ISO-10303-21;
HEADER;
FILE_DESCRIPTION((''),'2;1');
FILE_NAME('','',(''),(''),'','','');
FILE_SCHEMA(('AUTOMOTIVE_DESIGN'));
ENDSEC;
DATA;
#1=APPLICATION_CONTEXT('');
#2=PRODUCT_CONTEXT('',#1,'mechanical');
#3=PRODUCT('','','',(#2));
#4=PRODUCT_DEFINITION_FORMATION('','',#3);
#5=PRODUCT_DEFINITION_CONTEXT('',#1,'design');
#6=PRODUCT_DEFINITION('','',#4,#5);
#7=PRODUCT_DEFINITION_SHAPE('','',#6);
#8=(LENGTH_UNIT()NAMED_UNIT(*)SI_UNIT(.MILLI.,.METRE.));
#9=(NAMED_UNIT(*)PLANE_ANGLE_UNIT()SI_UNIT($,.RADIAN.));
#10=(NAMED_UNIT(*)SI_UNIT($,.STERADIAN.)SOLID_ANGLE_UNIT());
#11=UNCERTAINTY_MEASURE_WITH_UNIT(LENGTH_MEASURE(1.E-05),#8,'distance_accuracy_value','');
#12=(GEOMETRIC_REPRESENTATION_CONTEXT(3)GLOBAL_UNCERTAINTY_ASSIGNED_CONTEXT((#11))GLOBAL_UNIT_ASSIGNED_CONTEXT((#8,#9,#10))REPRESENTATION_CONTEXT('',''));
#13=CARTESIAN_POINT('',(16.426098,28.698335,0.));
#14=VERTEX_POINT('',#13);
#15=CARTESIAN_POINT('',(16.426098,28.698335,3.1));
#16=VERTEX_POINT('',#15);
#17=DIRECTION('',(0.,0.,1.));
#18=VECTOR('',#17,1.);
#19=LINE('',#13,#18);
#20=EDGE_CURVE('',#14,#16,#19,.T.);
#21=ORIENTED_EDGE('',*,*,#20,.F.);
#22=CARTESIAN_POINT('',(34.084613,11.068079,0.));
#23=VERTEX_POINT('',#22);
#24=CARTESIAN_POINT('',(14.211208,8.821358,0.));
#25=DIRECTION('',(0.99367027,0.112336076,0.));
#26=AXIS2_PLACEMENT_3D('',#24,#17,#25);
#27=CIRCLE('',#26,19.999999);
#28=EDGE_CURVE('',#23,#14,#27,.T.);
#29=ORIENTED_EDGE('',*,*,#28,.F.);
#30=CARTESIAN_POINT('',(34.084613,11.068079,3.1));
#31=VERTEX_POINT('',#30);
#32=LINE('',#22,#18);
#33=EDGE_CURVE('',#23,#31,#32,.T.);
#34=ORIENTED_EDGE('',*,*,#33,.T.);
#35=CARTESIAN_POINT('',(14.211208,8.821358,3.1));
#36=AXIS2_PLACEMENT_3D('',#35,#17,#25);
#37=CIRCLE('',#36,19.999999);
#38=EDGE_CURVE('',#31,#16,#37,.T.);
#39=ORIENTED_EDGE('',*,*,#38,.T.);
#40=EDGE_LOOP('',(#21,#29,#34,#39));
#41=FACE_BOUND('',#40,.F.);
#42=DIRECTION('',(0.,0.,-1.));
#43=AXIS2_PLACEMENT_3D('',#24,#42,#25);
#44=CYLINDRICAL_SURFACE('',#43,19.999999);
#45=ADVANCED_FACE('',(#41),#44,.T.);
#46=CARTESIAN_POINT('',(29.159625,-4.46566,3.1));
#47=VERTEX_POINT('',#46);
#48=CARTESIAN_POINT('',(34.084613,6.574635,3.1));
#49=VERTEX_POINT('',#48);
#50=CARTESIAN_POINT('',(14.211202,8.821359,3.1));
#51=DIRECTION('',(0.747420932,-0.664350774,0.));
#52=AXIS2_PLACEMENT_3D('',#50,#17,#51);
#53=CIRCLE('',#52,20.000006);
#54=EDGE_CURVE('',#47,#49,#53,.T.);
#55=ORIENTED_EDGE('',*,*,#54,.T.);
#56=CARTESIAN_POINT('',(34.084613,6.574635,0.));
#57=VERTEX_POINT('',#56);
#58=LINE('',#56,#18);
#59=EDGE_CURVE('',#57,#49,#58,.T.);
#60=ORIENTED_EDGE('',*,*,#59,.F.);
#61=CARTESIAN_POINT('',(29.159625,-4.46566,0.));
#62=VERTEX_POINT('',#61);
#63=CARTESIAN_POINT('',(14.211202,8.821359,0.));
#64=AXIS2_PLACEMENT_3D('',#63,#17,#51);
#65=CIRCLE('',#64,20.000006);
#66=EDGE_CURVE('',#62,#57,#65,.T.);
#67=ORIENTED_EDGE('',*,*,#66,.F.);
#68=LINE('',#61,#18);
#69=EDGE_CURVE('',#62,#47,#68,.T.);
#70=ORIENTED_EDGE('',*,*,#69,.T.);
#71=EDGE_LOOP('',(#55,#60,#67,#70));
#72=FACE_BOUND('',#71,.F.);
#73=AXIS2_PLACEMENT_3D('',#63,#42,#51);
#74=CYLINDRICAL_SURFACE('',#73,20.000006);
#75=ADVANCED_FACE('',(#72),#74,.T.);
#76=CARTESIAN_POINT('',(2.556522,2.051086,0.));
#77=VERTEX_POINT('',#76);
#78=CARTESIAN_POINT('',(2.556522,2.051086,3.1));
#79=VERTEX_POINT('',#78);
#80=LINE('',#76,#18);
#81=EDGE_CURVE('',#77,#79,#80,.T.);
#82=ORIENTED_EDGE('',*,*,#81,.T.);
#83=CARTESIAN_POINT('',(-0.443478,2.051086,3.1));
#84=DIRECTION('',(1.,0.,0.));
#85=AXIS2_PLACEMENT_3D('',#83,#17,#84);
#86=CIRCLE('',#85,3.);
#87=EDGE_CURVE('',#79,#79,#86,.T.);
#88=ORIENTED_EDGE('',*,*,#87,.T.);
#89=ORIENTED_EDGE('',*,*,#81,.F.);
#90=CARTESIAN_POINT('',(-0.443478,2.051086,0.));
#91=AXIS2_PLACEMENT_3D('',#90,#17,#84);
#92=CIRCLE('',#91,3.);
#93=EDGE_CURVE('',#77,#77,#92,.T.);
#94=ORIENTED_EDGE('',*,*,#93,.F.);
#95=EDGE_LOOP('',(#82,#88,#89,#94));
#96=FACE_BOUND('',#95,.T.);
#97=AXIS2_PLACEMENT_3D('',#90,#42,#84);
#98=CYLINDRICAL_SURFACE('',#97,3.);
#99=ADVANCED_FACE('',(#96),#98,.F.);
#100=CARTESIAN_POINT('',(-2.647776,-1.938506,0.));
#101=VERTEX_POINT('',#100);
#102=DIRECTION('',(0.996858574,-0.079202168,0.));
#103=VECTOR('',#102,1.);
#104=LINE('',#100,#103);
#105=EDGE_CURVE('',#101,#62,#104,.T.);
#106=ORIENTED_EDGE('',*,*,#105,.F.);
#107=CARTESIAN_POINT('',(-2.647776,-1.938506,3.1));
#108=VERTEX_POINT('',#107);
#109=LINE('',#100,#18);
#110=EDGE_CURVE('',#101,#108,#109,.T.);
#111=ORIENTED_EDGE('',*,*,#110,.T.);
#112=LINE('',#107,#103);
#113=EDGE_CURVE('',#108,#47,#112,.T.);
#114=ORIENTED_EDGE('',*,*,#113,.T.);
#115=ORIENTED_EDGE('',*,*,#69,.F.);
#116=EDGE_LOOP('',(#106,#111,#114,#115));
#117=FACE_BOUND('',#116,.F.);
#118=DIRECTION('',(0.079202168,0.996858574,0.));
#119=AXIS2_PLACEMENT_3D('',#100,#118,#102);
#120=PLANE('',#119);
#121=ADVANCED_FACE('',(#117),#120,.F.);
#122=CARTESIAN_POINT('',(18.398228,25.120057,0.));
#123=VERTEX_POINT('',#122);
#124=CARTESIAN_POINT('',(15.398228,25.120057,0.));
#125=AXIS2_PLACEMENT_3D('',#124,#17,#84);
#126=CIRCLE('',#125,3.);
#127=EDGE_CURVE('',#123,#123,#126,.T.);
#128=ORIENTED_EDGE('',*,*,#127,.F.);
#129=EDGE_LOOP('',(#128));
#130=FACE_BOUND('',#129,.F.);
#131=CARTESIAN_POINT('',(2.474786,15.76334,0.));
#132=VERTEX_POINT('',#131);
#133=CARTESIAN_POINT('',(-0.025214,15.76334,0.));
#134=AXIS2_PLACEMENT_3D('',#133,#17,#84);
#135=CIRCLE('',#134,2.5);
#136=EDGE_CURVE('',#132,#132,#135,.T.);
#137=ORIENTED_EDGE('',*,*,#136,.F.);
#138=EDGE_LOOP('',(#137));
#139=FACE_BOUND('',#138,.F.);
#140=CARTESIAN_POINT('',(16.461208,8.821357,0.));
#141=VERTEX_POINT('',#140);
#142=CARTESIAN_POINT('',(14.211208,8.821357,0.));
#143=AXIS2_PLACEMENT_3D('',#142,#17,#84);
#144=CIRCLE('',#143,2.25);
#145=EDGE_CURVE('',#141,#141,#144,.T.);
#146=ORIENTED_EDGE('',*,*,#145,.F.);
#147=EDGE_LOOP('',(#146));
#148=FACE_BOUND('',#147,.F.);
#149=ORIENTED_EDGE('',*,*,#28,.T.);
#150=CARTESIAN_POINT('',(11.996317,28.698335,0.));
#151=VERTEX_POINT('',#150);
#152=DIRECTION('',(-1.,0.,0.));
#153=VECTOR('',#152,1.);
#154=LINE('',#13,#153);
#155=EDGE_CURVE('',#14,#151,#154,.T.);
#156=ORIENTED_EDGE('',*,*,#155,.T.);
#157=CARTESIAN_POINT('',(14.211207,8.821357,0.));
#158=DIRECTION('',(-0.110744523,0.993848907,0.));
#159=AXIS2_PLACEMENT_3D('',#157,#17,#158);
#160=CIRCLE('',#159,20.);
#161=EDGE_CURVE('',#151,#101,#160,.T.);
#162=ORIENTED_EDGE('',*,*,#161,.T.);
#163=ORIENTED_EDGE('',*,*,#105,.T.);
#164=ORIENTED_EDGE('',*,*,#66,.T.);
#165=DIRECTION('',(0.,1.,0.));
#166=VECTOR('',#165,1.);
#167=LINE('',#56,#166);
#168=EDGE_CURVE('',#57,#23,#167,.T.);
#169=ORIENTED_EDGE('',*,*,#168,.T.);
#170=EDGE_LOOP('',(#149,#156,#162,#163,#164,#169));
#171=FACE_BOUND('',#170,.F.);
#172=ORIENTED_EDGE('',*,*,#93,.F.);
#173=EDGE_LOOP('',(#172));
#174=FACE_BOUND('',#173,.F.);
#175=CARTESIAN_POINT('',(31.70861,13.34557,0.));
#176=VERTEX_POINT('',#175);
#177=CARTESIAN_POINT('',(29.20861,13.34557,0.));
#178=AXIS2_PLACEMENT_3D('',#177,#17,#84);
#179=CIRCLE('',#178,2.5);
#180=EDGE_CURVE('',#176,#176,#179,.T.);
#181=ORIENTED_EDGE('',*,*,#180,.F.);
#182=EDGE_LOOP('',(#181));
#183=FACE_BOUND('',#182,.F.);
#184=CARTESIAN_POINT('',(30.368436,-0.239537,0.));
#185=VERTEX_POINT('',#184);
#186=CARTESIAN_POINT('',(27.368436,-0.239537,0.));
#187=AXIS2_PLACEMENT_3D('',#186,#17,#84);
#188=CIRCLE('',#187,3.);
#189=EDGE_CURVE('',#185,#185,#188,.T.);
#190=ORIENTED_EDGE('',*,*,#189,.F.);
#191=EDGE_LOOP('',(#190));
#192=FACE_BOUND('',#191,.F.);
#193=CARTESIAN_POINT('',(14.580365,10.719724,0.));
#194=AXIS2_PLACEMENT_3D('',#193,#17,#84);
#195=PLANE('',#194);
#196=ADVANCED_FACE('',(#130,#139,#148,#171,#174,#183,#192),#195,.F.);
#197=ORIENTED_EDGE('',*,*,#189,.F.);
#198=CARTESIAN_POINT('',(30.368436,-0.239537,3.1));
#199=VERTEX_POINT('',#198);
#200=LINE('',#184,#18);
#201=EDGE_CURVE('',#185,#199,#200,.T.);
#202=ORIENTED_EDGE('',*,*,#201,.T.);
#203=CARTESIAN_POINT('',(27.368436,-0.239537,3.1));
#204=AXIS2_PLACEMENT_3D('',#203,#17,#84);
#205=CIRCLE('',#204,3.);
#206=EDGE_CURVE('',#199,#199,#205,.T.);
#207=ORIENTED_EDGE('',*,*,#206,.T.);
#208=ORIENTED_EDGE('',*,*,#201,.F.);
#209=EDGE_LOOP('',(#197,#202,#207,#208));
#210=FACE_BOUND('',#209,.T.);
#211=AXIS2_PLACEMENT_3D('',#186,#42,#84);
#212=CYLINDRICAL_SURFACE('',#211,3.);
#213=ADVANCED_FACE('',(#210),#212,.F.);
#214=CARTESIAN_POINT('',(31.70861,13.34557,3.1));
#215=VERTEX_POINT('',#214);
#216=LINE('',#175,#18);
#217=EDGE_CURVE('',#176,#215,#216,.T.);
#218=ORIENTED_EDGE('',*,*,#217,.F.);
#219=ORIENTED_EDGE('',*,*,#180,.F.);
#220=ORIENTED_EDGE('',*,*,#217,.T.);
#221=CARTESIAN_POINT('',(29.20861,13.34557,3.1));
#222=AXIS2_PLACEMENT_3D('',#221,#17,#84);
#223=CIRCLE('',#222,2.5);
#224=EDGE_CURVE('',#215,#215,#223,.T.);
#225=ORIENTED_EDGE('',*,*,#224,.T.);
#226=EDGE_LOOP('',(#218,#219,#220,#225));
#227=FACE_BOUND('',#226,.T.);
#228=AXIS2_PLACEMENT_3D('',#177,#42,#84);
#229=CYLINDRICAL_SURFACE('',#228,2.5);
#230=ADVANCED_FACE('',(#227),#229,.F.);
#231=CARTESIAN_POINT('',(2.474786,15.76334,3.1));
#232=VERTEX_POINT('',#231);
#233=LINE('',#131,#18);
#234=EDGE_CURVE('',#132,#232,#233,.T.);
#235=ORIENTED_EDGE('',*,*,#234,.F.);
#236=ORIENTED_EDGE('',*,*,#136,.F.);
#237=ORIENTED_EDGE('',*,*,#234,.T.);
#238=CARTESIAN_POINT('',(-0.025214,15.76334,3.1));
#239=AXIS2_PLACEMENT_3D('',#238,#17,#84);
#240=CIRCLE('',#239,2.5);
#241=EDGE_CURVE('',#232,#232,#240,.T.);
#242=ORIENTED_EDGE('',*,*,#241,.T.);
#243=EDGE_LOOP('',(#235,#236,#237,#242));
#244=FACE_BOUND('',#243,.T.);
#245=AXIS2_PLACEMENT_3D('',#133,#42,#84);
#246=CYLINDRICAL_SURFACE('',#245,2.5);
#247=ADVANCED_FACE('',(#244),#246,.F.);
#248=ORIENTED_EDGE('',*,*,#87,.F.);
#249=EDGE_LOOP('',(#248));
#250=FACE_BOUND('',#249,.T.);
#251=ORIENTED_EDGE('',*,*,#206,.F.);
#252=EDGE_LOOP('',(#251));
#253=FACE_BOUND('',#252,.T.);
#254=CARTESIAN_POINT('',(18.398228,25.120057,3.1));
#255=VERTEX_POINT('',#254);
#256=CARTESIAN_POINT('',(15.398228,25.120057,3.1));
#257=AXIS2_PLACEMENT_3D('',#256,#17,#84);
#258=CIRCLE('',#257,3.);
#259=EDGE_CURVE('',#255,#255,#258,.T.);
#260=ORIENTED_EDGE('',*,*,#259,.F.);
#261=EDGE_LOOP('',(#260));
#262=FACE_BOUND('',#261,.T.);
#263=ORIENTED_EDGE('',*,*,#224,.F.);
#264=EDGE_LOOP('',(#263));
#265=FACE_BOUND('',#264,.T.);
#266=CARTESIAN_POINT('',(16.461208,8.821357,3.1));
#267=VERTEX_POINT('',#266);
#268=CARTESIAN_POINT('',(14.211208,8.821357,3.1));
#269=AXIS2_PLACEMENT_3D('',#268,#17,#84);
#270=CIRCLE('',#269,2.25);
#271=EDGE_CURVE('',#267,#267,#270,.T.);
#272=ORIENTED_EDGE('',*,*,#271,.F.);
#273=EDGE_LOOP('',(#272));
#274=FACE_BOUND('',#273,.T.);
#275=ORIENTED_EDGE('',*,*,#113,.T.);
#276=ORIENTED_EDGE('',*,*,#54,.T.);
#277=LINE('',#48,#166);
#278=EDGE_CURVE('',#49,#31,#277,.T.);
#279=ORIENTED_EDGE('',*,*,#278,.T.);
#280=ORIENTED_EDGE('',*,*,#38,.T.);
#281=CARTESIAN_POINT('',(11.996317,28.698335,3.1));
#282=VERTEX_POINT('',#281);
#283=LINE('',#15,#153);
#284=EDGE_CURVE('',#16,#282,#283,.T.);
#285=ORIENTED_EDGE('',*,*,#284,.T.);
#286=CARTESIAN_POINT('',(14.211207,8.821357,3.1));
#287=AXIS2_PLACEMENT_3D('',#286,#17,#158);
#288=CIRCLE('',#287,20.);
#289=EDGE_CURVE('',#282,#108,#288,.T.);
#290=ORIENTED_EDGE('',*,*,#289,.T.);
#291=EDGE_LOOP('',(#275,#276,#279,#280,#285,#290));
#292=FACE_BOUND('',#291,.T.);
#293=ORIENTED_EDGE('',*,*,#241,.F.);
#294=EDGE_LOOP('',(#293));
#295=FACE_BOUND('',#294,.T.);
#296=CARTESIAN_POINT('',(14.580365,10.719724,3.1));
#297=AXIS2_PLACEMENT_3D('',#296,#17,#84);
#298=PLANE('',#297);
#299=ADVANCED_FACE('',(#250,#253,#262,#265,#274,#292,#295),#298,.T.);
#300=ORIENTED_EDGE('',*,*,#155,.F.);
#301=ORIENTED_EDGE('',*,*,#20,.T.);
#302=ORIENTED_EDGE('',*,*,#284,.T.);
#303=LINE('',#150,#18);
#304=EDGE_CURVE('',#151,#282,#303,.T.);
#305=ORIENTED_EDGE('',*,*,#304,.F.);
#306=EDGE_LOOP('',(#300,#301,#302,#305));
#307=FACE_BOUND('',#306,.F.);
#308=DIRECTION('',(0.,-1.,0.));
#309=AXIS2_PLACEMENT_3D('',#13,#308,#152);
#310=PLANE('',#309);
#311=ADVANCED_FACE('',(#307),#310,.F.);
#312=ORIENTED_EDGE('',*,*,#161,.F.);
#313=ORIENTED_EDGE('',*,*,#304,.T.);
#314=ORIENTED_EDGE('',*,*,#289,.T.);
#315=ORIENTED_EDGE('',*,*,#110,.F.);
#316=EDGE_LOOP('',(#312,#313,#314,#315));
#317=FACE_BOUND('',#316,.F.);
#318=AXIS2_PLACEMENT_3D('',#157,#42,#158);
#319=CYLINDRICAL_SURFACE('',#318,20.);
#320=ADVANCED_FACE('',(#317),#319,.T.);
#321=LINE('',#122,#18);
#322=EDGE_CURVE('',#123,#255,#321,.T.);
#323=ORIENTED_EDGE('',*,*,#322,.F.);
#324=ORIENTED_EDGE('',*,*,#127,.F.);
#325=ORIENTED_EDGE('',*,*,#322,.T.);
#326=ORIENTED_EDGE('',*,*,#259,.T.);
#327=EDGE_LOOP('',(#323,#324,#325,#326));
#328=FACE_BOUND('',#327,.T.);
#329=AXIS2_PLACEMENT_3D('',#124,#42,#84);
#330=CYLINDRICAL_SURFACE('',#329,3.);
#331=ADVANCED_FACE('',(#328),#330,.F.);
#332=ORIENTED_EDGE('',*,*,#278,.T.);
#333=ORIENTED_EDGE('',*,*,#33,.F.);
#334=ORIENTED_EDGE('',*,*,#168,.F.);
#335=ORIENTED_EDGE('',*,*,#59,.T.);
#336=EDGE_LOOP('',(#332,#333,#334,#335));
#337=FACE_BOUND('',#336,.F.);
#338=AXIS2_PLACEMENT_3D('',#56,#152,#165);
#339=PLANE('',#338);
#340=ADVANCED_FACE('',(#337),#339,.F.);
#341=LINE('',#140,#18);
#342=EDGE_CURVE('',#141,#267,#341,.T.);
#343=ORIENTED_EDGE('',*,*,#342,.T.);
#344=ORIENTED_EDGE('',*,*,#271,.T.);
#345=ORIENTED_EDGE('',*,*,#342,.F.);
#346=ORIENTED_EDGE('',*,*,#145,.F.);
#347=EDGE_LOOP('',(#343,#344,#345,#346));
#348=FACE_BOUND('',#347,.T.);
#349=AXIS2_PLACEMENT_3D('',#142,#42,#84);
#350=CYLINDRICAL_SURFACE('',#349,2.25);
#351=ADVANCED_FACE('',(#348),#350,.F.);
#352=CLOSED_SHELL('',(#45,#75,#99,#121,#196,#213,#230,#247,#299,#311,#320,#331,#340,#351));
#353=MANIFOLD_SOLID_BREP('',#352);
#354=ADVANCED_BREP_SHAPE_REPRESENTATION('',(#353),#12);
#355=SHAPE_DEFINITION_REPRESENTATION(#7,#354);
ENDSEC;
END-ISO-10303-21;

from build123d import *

# Parameters (mm, degrees)
F0_R     = 3
F0_R_2   = 2.5
F0_R_3   = 2.25
F1_DEPTH = 3.1


with BuildPart() as f1:
    # F0 (on Top) → F1 (new body)
    with BuildSketch(Plane.XY):
        with BuildLine():
            ThreePointArc((29.159625, -4.46566), (32.476252, 0.673465), (34.084613, 6.574635))
            Line((34.084613, 6.574635), (34.084613, 11.068079))
            ThreePointArc((34.084613, 11.068079), (28.342014, 22.974813), (16.426098, 28.698335))
            Line((16.426098, 28.698335), (11.996317, 28.698335))
            ThreePointArc((11.996317, 28.698335), (-3.833381, 17.446484), (-2.647776, -1.938506))
            Line((-2.647776, -1.938506), (29.159625, -4.46566))
        make_face()
        with Locations((-0.443478, 2.051086)):
            Circle(F0_R, mode=Mode.SUBTRACT)
        with Locations((27.368436, -0.239537)):
            Circle(F0_R, mode=Mode.SUBTRACT)
        with Locations((-0.025214, 15.76334)):
            Circle(F0_R_2, mode=Mode.SUBTRACT)
        with Locations((14.211208, 8.821357)):
            Circle(F0_R_3, mode=Mode.SUBTRACT)
        with Locations((29.20861, 13.34557)):
            Circle(F0_R_2, mode=Mode.SUBTRACT)
        with Locations((15.398228, 25.120057)):
            Circle(F0_R, mode=Mode.SUBTRACT)
    extrude(amount=F1_DEPTH)


solid = f1.part
